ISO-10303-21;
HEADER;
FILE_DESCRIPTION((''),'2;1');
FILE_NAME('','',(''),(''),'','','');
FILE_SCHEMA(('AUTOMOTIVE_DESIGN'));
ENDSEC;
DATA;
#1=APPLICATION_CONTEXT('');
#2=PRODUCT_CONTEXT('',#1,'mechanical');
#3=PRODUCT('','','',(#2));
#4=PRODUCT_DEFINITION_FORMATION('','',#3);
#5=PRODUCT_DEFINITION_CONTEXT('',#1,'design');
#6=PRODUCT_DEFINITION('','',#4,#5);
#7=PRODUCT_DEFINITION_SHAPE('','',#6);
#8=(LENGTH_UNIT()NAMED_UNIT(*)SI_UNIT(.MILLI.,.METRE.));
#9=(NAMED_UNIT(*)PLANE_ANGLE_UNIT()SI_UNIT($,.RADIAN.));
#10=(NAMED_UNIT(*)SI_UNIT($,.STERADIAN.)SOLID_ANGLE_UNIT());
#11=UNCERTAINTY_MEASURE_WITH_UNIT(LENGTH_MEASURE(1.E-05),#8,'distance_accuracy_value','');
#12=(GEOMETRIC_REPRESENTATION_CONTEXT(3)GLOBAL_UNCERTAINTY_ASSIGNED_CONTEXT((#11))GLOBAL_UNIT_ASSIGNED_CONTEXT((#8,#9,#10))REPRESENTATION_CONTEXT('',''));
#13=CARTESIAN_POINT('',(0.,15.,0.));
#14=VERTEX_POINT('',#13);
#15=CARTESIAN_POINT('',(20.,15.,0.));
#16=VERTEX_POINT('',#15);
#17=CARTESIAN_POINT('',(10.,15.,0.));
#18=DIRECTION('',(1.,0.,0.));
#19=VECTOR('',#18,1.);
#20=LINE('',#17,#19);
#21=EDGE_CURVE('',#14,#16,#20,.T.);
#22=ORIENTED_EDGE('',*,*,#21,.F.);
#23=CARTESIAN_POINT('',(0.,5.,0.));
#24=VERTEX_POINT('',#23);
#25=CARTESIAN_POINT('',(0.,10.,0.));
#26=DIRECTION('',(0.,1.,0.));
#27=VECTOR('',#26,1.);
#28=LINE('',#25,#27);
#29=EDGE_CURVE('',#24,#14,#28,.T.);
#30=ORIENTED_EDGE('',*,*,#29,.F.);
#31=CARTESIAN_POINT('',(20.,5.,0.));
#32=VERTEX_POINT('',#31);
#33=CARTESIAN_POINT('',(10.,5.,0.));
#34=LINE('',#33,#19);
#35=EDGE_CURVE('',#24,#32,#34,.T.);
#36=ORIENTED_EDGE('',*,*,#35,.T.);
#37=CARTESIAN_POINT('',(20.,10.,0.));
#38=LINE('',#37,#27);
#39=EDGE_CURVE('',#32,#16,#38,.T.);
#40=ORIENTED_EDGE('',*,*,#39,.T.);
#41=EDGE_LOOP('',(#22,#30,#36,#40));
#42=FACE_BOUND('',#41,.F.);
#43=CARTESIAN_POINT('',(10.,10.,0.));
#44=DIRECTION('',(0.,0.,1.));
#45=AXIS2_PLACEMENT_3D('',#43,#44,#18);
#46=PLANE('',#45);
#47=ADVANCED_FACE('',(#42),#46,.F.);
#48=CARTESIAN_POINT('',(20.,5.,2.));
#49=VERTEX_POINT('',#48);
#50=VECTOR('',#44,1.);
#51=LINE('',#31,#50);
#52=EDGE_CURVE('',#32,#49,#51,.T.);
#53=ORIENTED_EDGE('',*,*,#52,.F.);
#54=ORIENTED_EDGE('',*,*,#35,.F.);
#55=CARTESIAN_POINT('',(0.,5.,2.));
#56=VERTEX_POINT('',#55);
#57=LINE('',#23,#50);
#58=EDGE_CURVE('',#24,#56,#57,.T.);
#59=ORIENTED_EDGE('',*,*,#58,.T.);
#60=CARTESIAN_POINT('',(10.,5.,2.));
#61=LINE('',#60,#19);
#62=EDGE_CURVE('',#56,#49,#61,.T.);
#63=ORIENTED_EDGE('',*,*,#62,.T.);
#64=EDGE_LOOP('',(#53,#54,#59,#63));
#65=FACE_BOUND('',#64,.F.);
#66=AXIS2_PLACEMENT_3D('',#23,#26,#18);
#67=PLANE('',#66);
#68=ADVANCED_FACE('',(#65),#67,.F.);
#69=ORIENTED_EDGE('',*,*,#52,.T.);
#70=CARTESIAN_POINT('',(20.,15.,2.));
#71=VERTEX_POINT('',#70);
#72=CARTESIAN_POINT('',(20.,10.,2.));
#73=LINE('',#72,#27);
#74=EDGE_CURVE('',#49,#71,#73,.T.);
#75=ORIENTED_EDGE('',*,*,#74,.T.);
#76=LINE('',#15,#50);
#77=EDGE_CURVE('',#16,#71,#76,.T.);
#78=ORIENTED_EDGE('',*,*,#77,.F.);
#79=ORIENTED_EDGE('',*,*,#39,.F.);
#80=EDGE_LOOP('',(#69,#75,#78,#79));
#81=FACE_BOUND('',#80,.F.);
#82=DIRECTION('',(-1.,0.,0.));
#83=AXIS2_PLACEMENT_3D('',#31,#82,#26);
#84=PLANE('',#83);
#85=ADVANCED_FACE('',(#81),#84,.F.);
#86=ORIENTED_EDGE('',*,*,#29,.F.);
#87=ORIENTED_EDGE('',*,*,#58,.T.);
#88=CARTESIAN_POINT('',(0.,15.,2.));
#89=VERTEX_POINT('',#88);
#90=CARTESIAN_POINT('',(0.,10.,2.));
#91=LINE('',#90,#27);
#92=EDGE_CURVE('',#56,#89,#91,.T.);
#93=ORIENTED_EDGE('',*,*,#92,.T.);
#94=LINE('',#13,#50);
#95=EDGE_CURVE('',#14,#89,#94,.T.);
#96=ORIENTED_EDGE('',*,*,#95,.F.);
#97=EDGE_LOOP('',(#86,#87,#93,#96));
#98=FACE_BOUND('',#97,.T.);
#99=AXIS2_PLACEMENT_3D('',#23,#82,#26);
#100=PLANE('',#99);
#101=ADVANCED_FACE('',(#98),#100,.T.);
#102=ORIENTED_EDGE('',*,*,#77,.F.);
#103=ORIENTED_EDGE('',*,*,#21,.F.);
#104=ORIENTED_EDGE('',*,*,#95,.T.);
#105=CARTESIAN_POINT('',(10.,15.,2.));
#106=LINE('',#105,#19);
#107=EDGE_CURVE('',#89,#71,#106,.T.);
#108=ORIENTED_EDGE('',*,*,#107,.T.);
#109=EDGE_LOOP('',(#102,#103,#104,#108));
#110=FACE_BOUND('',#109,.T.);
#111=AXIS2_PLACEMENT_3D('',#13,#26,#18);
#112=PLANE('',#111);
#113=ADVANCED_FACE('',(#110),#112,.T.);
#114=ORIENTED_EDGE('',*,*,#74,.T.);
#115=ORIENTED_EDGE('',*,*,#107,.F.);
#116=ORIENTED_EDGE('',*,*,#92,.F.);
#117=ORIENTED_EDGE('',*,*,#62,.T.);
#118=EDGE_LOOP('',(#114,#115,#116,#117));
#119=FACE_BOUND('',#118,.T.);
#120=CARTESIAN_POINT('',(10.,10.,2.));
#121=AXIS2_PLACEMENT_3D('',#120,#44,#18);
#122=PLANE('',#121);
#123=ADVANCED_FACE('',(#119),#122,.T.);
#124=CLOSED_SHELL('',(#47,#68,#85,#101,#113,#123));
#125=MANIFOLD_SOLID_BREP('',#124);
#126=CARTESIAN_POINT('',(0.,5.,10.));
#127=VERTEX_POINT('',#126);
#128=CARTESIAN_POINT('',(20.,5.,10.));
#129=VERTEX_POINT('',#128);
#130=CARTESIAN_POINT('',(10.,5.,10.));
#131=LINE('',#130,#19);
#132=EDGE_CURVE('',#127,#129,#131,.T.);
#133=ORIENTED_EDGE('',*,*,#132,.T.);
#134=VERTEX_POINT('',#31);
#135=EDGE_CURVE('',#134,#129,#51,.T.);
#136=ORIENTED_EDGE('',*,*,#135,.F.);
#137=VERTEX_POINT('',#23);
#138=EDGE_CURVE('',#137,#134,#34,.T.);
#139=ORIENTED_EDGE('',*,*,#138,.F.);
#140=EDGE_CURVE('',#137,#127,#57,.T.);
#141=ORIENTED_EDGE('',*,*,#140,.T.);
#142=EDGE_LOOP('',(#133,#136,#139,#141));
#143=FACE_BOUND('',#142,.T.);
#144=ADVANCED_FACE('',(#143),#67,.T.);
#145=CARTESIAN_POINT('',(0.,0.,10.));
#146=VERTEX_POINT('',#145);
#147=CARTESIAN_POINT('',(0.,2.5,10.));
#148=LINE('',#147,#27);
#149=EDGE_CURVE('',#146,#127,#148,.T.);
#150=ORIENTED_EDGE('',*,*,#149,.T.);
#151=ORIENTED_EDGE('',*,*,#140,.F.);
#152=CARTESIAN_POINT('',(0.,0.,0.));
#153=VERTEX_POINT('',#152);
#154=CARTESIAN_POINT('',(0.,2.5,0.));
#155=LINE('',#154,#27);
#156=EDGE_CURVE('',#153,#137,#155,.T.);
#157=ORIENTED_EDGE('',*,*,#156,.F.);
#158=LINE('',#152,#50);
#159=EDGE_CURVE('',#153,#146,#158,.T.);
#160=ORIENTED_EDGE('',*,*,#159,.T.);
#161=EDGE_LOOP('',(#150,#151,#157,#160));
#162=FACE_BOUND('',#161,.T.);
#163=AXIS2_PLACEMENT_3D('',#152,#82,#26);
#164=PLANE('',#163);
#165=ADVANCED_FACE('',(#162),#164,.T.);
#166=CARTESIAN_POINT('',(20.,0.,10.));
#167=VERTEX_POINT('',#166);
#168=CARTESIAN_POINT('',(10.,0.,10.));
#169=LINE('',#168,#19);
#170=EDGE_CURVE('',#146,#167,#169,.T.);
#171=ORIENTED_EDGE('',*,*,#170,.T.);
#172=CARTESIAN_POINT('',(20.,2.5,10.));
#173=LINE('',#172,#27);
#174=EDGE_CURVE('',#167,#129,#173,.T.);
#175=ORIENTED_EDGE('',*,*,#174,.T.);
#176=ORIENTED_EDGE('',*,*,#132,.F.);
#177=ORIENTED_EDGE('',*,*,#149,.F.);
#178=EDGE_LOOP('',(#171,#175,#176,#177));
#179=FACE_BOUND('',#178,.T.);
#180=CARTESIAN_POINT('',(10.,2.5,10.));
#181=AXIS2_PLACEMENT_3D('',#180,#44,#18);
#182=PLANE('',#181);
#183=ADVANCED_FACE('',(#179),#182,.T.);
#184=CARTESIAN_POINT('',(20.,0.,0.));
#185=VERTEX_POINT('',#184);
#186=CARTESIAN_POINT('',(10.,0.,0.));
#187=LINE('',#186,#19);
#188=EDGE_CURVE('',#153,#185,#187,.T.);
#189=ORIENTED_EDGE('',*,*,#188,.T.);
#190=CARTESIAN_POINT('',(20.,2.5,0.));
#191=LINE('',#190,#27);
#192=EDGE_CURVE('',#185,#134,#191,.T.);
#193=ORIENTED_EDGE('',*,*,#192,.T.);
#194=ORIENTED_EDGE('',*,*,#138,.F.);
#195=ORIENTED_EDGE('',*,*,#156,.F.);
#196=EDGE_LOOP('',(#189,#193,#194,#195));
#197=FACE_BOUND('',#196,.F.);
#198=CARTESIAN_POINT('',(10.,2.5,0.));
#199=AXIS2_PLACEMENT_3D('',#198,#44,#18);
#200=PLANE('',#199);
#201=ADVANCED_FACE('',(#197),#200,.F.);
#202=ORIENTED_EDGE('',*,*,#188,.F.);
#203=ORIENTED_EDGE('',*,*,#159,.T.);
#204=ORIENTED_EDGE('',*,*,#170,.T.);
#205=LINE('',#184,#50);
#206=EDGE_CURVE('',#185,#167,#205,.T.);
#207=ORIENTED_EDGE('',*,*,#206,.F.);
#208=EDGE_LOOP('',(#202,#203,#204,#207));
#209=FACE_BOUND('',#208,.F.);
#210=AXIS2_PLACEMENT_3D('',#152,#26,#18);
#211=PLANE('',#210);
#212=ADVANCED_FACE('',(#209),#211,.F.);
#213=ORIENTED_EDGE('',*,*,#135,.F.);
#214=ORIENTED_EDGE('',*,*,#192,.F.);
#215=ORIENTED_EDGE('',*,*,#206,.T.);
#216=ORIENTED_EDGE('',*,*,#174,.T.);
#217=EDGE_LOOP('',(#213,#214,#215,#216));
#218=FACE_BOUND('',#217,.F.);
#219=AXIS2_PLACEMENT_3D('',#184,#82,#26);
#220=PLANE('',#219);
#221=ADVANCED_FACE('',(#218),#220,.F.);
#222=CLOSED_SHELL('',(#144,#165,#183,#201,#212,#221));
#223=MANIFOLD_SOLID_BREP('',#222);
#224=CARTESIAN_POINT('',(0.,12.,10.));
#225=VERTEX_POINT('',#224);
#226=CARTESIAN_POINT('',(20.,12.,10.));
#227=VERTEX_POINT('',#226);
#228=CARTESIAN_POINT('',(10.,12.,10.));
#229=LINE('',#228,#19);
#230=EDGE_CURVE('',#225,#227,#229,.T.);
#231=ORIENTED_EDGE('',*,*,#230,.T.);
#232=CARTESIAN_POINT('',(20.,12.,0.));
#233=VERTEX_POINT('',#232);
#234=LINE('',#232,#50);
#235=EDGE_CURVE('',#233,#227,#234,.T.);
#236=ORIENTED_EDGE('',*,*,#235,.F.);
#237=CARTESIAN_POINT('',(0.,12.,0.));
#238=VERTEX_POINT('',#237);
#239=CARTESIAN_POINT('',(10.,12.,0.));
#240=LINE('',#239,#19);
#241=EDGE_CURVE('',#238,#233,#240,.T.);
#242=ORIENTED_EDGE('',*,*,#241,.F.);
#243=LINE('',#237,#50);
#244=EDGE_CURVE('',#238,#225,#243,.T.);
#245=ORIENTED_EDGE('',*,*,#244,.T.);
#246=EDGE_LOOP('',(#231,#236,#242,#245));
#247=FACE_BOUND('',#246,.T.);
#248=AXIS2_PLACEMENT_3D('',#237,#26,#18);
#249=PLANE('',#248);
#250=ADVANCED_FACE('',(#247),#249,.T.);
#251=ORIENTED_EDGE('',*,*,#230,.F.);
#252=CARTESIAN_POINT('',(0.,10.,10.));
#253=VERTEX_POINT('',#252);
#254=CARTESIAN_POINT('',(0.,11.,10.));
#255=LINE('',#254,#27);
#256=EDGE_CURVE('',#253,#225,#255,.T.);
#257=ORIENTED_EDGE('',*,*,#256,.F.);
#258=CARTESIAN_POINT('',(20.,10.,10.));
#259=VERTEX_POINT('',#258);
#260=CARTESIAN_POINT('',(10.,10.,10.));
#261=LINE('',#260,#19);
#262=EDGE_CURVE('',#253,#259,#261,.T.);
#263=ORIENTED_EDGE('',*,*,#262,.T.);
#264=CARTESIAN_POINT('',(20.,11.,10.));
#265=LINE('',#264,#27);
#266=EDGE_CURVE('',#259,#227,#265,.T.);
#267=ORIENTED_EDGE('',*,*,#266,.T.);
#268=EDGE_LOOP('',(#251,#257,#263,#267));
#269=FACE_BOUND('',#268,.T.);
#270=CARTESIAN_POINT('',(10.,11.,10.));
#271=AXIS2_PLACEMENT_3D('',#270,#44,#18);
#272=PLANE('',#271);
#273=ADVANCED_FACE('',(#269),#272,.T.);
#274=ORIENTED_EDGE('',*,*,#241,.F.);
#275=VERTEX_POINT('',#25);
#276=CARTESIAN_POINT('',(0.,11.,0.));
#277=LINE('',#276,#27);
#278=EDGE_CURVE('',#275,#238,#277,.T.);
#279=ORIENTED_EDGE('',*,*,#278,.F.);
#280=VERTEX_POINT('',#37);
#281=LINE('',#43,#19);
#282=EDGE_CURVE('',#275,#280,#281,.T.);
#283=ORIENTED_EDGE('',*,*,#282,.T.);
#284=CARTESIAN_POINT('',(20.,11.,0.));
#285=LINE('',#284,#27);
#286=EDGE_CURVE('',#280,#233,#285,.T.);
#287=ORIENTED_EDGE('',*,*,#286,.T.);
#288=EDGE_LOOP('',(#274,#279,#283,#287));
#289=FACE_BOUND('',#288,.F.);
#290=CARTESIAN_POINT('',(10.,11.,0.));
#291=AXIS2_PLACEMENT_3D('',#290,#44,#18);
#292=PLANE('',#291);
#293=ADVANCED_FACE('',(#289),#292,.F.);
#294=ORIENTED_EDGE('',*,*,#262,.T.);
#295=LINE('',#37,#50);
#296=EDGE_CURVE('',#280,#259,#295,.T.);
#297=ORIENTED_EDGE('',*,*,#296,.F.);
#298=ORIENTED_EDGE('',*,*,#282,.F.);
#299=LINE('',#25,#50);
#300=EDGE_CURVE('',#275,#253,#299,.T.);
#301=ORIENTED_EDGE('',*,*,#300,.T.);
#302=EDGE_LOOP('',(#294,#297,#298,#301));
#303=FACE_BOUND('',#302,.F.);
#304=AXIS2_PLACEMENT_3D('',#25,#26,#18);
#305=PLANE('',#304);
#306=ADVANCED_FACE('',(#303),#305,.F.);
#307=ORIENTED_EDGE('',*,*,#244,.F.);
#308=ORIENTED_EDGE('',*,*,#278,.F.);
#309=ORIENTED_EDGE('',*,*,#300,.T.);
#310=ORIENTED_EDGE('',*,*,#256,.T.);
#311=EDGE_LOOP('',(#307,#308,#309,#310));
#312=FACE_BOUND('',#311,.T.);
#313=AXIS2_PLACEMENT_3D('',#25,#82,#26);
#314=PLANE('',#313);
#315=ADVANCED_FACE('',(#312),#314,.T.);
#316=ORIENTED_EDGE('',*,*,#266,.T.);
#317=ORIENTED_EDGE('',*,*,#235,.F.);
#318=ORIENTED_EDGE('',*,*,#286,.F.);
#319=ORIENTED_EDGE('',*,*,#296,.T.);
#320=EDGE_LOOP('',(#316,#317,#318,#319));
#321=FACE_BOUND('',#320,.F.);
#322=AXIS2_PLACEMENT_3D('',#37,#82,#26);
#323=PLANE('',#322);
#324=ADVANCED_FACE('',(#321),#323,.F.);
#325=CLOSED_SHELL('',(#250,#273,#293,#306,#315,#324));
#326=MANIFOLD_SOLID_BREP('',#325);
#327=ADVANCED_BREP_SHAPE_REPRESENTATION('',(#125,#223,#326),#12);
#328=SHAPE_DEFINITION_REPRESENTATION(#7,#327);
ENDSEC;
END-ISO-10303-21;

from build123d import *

# Parameters (mm, degrees)
BOX_W        = 20
BOX_H        = 5
BOX_DEPTH    = 10
BOX001_W     = 20
BOX001_H     = 10
BOX001_DEPTH = 2
BOX002_W     = 20
BOX002_H     = 2
BOX002_DEPTH = 10


with BuildPart() as cube:
    # Box → Box (new body)
    with BuildSketch(Plane.XY):
        with Locations((10, 2.5)):
            Rectangle(BOX_W, BOX_H)
    extrude(amount=BOX_DEPTH)


with BuildPart() as cube001:
    # Box001 → Box001 (new body)
    with BuildSketch(Plane(origin=(0, 5, 0), x_dir=(1, 0, 0), z_dir=(0, 0, 1))):
        with Locations((10, 5)):
            Rectangle(BOX001_W, BOX001_H)
    extrude(amount=BOX001_DEPTH)


with BuildPart() as cube002:
    # Box002 → Box002 (new body)
    with BuildSketch(Plane(origin=(0, 10, 0), x_dir=(1, 0, 0), z_dir=(0, 0, 1))):
        with Locations((10, 1)):
            Rectangle(BOX002_W, BOX002_H)
    extrude(amount=BOX002_DEPTH)


solid = Compound([cube.part, cube001.part, cube002.part])
